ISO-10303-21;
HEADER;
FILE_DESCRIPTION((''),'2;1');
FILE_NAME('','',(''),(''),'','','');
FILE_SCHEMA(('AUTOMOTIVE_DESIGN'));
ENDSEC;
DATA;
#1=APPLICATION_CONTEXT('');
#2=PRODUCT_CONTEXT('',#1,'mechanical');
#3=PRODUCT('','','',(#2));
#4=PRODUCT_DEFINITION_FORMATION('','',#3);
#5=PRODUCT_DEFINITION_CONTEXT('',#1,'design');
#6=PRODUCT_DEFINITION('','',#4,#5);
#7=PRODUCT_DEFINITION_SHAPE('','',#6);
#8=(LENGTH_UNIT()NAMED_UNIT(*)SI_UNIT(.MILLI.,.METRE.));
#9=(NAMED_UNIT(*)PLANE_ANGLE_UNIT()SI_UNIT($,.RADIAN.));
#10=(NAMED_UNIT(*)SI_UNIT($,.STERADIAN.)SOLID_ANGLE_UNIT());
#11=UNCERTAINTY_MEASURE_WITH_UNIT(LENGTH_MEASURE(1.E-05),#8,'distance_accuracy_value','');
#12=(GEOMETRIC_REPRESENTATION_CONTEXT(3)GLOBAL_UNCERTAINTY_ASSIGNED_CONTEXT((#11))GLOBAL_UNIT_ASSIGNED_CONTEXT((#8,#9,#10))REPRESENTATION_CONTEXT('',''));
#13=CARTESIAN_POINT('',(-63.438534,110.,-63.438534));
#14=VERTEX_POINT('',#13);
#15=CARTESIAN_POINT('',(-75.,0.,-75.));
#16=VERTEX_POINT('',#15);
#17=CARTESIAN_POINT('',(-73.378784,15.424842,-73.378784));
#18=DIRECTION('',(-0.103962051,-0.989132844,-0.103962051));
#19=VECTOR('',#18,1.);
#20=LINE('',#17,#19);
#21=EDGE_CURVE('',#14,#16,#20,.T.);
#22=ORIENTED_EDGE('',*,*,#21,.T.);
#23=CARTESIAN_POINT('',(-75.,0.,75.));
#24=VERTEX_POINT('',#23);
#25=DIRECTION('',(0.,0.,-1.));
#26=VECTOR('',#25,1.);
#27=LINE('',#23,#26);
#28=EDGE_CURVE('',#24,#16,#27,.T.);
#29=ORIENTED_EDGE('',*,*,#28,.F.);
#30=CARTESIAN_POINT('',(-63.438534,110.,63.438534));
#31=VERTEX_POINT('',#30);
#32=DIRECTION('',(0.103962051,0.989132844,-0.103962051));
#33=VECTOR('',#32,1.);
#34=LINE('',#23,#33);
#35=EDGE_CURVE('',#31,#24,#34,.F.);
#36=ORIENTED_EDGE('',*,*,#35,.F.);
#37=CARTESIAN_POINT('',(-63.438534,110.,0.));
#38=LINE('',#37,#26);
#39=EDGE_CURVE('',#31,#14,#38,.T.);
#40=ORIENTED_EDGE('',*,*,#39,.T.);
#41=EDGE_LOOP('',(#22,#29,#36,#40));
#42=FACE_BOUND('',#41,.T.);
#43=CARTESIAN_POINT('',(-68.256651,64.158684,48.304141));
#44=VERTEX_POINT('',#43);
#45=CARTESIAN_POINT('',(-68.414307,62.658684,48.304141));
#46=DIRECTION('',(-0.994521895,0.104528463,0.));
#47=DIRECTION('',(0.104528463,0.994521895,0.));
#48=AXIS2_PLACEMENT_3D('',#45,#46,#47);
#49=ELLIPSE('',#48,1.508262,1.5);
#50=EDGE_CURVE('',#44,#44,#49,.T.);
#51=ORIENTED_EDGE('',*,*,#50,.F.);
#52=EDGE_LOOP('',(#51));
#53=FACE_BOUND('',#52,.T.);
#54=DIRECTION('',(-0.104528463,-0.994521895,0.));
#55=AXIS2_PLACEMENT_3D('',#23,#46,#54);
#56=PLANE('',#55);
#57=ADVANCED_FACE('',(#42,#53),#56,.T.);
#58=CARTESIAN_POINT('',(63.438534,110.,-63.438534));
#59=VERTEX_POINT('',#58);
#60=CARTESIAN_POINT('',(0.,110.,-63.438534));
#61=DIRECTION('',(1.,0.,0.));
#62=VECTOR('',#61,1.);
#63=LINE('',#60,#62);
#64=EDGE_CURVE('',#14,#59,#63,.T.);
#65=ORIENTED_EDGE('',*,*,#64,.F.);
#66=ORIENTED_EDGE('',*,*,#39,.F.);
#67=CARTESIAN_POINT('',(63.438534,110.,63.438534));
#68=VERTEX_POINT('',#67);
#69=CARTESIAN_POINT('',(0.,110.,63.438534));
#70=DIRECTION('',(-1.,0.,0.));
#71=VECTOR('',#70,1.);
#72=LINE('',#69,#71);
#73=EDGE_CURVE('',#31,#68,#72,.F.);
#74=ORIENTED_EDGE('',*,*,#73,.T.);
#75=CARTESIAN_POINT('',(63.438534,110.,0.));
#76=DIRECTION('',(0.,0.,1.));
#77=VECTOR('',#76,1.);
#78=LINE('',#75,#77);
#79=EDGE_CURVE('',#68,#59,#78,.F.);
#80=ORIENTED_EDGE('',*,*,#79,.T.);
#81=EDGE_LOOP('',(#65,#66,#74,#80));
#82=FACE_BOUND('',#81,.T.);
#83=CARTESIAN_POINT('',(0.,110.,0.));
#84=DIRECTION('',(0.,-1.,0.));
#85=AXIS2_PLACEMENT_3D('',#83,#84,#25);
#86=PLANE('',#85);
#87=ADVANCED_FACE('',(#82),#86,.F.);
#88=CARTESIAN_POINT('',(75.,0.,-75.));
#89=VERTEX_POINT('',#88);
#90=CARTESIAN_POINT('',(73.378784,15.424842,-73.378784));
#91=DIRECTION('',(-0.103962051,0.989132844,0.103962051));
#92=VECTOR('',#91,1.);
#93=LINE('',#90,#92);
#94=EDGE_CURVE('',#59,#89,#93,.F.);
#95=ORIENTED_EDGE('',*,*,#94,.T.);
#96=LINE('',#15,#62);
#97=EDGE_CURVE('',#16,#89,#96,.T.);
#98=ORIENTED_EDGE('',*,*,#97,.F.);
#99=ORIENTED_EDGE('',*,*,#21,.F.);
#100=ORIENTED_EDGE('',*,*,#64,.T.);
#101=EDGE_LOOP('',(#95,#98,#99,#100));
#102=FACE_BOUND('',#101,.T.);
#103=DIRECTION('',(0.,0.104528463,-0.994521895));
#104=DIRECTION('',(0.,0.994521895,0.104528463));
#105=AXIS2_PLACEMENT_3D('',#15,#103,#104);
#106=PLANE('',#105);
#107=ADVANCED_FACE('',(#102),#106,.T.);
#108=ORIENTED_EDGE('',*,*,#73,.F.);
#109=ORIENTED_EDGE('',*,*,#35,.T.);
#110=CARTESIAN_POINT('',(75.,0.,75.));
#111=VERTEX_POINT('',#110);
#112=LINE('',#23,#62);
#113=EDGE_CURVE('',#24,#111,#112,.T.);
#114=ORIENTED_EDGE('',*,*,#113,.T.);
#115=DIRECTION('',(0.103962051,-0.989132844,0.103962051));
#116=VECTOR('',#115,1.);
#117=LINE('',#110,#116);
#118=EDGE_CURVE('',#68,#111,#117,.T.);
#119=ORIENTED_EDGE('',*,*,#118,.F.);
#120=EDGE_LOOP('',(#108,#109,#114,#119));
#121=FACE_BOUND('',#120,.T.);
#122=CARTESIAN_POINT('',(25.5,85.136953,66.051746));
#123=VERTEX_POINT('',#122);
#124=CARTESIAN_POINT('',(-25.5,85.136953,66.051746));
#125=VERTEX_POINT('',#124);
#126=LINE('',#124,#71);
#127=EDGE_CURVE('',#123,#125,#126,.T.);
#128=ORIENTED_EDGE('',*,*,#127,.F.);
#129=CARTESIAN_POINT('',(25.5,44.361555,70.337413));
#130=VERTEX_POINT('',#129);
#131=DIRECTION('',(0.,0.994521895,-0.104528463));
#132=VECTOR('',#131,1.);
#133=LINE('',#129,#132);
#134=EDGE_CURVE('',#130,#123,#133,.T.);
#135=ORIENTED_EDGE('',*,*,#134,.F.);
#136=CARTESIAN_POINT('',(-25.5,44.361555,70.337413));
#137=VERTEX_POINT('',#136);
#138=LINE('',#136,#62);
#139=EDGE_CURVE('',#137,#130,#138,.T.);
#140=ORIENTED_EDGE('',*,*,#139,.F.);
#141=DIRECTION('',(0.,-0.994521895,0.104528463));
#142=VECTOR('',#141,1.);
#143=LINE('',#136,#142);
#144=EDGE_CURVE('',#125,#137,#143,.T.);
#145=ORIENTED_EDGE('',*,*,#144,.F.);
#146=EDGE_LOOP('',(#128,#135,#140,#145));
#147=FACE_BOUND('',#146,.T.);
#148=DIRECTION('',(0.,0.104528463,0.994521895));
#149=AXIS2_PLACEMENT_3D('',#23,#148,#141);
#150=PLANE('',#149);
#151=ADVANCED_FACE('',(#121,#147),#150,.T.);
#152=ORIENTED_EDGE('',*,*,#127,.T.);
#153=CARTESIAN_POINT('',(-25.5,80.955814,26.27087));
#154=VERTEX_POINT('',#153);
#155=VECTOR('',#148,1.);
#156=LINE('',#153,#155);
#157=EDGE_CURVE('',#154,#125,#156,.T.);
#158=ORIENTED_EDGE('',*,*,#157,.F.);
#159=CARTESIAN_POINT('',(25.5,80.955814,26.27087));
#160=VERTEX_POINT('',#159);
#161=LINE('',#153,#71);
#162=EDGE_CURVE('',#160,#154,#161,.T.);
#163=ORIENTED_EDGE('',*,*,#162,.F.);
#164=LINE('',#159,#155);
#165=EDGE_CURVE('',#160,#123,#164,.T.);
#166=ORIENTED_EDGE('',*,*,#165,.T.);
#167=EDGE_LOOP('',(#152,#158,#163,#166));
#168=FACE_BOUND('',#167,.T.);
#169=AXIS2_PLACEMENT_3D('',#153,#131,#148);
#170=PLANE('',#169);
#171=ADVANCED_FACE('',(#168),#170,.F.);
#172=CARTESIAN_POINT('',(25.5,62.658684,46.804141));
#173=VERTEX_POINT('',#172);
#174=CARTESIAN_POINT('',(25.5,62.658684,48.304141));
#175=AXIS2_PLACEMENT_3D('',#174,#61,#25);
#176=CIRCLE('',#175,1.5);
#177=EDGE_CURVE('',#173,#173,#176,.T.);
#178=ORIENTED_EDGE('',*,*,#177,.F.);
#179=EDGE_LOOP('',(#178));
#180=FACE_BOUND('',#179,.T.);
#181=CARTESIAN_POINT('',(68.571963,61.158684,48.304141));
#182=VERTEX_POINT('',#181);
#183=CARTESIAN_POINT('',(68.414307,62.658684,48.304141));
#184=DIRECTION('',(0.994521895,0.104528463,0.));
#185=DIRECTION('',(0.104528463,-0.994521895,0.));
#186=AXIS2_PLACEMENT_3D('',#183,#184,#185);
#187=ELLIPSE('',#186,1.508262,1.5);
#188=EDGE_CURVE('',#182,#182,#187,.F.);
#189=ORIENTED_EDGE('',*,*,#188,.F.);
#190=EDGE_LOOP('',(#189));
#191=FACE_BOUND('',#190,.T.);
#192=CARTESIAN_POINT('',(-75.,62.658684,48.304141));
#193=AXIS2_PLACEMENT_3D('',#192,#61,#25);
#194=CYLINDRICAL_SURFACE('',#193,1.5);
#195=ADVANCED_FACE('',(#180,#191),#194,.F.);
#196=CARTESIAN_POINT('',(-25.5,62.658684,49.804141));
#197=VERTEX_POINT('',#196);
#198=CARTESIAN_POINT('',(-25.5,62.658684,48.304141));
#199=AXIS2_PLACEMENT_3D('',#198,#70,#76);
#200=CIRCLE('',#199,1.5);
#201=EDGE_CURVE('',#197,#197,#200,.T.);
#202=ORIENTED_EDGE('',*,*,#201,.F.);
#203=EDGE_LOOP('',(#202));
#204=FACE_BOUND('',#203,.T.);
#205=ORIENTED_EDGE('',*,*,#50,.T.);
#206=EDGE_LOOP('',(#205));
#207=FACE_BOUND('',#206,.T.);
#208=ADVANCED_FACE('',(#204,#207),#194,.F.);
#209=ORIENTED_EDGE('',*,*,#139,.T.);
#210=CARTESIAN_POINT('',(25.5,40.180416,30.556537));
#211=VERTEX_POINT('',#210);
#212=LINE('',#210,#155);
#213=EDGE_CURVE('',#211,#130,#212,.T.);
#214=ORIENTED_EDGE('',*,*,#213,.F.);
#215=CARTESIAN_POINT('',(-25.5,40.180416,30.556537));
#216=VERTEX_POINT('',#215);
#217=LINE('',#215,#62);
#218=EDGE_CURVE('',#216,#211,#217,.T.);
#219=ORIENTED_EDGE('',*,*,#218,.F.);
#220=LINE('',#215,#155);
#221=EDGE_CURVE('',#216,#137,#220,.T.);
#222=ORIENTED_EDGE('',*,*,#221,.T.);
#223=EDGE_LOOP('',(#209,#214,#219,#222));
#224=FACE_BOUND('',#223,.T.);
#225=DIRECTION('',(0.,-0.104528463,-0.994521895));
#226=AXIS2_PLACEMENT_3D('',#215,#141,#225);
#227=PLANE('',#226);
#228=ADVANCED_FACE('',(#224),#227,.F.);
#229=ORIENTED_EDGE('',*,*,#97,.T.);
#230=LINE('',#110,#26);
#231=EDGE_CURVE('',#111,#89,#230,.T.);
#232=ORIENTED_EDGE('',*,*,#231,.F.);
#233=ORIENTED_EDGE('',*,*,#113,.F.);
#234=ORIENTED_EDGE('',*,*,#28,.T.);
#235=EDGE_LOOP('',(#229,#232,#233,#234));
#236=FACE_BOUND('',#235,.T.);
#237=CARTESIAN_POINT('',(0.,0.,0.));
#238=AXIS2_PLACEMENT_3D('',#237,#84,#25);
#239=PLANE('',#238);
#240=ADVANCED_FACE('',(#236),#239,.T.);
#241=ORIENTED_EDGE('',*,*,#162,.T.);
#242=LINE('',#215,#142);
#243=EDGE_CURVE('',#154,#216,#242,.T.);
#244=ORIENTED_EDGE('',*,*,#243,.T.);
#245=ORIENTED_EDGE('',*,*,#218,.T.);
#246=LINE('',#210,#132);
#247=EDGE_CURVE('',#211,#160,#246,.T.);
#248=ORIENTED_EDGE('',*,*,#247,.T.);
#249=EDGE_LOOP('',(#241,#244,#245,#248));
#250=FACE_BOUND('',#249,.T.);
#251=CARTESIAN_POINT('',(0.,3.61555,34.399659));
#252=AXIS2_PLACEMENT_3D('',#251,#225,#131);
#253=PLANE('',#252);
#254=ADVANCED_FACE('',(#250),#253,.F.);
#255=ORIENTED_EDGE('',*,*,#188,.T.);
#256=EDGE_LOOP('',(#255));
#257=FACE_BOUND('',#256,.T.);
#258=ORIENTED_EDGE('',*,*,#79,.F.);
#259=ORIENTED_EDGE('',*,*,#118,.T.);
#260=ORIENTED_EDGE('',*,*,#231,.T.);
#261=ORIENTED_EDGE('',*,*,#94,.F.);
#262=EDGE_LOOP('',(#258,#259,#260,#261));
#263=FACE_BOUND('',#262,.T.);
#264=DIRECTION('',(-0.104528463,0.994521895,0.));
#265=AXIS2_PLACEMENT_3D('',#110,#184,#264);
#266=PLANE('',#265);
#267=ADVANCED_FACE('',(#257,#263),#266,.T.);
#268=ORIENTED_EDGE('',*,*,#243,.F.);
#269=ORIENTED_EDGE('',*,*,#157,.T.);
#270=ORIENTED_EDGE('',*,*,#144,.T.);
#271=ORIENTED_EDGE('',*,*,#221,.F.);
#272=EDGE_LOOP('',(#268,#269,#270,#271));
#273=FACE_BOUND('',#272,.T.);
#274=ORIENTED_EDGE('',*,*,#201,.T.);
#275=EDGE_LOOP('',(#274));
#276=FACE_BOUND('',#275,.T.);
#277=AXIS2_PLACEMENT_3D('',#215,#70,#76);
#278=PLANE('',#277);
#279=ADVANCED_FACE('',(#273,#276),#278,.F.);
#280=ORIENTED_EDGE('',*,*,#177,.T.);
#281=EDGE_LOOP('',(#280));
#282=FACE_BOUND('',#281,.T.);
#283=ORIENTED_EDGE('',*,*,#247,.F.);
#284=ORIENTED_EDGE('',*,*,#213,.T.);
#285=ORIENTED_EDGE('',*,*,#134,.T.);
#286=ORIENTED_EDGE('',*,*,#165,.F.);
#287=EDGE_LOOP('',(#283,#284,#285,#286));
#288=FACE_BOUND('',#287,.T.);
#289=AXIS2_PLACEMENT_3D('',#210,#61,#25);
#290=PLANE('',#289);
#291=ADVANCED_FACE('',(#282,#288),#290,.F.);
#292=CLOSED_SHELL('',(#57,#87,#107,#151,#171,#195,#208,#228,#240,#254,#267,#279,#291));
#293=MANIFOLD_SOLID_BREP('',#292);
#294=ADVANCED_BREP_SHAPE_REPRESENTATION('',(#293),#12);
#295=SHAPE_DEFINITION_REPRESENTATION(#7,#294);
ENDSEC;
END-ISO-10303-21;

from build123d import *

# Parameters (mm, degrees)
SKETCH1_W               = 150
SKETCH1_H               = 150
BOSS_EXTRUDE1_DEPTH     = 110
BOSS_EXTRUDE1_TAPER     = 6
SKETCH14_W              = 51
SKETCH14_H              = 41
CUT_EXTRUDE2_DEPTH      = 40
CUT_EXTRUDE3_DEPTH      = 167.809022709
CUT_EXTRUDE3_DEPTH_BACK = 167.809022709
SKETCH23_R              = 1.5


with BuildPart() as part:
    # Sketch1 → Boss-Extrude1 (new body)
    with BuildSketch(Plane(origin=(0, 0, 0), x_dir=(1, 0, 0), z_dir=(0, 1, 0))):
        Rectangle(SKETCH1_W, SKETCH1_H)
    extrude(amount=BOSS_EXTRUDE1_DEPTH, taper=BOSS_EXTRUDE1_TAPER)

    # Sketch14 → Cut-Extrude2 (cut)
    with BuildSketch(Plane(origin=(0, 7.796688406, 74.180535028), x_dir=(1, 0, 0), z_dir=(0, 0.10452846326765353, 0.9945218953682734))):
        with Locations((0, 57.266276007)):
            Rectangle(SKETCH14_W, SKETCH14_H)
    extrude(amount=-CUT_EXTRUDE2_DEPTH, mode=Mode.SUBTRACT)

    # Sketch23 → Cut-Extrude3 (cut, two sides: drawn at the far end of the back side and taken through both)
    with BuildSketch(Plane(origin=(-25.5, 0, 0), x_dir=(0, 0, -1), z_dir=(1, 0, 0)).offset(-CUT_EXTRUDE3_DEPTH_BACK)):
        with Locations(Location((-48.304141292, 62.658684495, 0), (0, 0, 90))):
            Circle(SKETCH23_R)
    extrude(amount=CUT_EXTRUDE3_DEPTH + CUT_EXTRUDE3_DEPTH_BACK, mode=Mode.SUBTRACT)


solid = part.part
